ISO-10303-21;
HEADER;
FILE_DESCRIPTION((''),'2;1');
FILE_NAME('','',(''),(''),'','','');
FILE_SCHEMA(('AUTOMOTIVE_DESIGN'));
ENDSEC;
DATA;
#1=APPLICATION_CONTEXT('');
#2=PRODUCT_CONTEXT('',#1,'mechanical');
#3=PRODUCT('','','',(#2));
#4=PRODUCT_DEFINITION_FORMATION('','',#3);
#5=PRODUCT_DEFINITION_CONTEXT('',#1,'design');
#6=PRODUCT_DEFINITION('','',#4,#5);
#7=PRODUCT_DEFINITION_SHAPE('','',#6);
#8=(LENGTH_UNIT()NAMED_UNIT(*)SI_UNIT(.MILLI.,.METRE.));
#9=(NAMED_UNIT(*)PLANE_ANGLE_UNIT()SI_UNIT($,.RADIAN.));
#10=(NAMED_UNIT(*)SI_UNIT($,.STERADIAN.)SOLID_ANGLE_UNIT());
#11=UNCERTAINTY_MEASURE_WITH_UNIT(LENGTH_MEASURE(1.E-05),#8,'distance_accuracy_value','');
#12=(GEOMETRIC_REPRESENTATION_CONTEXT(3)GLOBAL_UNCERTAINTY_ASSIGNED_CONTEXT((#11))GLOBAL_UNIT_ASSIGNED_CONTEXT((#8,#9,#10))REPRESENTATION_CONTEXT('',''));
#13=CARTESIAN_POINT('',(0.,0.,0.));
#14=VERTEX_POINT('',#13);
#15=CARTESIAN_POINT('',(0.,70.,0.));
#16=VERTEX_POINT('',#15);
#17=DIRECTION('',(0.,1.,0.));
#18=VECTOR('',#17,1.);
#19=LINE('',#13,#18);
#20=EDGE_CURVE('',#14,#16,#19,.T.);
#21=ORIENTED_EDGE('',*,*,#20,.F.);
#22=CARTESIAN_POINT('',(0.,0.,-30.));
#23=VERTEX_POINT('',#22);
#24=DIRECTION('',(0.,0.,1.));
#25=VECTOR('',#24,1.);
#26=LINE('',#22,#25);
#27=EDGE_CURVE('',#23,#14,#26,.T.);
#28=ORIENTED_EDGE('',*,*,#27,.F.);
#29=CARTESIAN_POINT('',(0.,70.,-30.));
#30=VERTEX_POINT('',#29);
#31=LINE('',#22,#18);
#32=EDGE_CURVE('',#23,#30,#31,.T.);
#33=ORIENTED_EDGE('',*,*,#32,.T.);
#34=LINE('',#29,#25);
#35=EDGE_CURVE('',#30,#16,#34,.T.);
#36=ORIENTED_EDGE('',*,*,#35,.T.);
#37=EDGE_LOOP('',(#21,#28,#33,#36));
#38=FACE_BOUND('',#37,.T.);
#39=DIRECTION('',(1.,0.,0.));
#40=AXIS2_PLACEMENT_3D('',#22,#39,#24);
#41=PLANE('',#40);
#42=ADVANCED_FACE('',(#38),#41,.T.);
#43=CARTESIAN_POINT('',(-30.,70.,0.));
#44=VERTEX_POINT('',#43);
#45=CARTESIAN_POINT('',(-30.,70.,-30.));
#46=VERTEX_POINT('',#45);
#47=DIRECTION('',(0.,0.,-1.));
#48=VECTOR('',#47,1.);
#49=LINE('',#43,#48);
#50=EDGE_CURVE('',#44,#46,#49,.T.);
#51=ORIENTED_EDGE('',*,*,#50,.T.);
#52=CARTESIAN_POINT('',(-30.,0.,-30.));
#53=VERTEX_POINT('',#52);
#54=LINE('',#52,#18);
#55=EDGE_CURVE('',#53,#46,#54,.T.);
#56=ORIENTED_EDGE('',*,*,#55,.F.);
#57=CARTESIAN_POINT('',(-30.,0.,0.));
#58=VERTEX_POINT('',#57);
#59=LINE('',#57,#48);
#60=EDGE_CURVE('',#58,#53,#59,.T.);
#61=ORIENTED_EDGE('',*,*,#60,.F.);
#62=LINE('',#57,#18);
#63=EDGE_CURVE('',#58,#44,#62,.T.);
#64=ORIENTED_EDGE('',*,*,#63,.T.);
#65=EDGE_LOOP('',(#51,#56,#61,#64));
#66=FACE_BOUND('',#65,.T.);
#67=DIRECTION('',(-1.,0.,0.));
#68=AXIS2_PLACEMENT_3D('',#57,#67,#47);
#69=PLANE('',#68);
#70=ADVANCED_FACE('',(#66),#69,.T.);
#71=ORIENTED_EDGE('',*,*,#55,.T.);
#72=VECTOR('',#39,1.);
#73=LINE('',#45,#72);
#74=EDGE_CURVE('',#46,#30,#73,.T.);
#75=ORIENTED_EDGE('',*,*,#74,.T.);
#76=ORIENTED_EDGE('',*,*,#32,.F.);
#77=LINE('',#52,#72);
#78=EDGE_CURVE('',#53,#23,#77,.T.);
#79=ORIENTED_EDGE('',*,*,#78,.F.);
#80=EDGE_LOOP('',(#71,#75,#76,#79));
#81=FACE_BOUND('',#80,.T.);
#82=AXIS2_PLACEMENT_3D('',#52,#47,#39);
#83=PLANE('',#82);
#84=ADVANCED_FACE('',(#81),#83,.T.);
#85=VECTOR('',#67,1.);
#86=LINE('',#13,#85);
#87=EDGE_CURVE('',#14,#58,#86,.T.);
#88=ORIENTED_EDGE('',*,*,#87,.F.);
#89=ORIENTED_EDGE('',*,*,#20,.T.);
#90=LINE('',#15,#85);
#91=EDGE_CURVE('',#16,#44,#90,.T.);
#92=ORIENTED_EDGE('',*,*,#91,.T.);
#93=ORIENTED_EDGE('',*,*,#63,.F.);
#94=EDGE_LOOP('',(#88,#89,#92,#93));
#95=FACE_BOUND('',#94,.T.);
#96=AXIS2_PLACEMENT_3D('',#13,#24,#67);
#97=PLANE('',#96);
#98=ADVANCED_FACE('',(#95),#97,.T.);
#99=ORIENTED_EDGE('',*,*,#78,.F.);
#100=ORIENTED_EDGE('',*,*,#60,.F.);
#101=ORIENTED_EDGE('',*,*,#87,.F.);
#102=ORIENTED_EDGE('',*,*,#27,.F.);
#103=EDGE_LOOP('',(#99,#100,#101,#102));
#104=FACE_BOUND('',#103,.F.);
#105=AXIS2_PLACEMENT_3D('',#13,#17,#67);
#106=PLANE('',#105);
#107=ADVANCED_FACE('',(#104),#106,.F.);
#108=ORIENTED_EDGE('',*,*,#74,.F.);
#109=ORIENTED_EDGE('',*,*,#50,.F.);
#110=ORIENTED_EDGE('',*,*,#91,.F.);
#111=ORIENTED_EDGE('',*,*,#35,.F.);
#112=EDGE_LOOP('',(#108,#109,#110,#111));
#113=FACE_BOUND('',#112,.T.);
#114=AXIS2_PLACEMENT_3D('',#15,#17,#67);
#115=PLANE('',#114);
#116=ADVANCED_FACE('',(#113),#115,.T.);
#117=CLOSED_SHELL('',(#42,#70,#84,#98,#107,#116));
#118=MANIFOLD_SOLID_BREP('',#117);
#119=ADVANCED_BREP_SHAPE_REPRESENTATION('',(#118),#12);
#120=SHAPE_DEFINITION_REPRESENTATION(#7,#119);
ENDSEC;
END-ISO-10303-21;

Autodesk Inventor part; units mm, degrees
ref_plane "YZ Plane" through (0, 0, 0) normal (1, 0, 0) x (0, 1, 0)
ref_plane "XZ Plane" through (0, 0, 0) normal (0, 1, 0) x (-1, 0, 0)
ref_plane "XY Plane" through (0, 0, 0) normal (0, 0, 1) x (1, 0, 0)
sketch "Sketch8" plane through (0, 0, 0) normal (0, 1, 0) x (-1, 0, 0)
  line L0 (0, 0) -> (30, 0)
  line L1 (30, 0) -> (30, -30)
  line L2 (30, -30) -> (0, -30)
  line L3 (0, -30) -> (0, 0)
  dimension "d18" = 30
  dimension "d19" = 30
extrude "Extrusion7" add sketch "Sketch8" along normal blind 70
properties part number "cas1"
